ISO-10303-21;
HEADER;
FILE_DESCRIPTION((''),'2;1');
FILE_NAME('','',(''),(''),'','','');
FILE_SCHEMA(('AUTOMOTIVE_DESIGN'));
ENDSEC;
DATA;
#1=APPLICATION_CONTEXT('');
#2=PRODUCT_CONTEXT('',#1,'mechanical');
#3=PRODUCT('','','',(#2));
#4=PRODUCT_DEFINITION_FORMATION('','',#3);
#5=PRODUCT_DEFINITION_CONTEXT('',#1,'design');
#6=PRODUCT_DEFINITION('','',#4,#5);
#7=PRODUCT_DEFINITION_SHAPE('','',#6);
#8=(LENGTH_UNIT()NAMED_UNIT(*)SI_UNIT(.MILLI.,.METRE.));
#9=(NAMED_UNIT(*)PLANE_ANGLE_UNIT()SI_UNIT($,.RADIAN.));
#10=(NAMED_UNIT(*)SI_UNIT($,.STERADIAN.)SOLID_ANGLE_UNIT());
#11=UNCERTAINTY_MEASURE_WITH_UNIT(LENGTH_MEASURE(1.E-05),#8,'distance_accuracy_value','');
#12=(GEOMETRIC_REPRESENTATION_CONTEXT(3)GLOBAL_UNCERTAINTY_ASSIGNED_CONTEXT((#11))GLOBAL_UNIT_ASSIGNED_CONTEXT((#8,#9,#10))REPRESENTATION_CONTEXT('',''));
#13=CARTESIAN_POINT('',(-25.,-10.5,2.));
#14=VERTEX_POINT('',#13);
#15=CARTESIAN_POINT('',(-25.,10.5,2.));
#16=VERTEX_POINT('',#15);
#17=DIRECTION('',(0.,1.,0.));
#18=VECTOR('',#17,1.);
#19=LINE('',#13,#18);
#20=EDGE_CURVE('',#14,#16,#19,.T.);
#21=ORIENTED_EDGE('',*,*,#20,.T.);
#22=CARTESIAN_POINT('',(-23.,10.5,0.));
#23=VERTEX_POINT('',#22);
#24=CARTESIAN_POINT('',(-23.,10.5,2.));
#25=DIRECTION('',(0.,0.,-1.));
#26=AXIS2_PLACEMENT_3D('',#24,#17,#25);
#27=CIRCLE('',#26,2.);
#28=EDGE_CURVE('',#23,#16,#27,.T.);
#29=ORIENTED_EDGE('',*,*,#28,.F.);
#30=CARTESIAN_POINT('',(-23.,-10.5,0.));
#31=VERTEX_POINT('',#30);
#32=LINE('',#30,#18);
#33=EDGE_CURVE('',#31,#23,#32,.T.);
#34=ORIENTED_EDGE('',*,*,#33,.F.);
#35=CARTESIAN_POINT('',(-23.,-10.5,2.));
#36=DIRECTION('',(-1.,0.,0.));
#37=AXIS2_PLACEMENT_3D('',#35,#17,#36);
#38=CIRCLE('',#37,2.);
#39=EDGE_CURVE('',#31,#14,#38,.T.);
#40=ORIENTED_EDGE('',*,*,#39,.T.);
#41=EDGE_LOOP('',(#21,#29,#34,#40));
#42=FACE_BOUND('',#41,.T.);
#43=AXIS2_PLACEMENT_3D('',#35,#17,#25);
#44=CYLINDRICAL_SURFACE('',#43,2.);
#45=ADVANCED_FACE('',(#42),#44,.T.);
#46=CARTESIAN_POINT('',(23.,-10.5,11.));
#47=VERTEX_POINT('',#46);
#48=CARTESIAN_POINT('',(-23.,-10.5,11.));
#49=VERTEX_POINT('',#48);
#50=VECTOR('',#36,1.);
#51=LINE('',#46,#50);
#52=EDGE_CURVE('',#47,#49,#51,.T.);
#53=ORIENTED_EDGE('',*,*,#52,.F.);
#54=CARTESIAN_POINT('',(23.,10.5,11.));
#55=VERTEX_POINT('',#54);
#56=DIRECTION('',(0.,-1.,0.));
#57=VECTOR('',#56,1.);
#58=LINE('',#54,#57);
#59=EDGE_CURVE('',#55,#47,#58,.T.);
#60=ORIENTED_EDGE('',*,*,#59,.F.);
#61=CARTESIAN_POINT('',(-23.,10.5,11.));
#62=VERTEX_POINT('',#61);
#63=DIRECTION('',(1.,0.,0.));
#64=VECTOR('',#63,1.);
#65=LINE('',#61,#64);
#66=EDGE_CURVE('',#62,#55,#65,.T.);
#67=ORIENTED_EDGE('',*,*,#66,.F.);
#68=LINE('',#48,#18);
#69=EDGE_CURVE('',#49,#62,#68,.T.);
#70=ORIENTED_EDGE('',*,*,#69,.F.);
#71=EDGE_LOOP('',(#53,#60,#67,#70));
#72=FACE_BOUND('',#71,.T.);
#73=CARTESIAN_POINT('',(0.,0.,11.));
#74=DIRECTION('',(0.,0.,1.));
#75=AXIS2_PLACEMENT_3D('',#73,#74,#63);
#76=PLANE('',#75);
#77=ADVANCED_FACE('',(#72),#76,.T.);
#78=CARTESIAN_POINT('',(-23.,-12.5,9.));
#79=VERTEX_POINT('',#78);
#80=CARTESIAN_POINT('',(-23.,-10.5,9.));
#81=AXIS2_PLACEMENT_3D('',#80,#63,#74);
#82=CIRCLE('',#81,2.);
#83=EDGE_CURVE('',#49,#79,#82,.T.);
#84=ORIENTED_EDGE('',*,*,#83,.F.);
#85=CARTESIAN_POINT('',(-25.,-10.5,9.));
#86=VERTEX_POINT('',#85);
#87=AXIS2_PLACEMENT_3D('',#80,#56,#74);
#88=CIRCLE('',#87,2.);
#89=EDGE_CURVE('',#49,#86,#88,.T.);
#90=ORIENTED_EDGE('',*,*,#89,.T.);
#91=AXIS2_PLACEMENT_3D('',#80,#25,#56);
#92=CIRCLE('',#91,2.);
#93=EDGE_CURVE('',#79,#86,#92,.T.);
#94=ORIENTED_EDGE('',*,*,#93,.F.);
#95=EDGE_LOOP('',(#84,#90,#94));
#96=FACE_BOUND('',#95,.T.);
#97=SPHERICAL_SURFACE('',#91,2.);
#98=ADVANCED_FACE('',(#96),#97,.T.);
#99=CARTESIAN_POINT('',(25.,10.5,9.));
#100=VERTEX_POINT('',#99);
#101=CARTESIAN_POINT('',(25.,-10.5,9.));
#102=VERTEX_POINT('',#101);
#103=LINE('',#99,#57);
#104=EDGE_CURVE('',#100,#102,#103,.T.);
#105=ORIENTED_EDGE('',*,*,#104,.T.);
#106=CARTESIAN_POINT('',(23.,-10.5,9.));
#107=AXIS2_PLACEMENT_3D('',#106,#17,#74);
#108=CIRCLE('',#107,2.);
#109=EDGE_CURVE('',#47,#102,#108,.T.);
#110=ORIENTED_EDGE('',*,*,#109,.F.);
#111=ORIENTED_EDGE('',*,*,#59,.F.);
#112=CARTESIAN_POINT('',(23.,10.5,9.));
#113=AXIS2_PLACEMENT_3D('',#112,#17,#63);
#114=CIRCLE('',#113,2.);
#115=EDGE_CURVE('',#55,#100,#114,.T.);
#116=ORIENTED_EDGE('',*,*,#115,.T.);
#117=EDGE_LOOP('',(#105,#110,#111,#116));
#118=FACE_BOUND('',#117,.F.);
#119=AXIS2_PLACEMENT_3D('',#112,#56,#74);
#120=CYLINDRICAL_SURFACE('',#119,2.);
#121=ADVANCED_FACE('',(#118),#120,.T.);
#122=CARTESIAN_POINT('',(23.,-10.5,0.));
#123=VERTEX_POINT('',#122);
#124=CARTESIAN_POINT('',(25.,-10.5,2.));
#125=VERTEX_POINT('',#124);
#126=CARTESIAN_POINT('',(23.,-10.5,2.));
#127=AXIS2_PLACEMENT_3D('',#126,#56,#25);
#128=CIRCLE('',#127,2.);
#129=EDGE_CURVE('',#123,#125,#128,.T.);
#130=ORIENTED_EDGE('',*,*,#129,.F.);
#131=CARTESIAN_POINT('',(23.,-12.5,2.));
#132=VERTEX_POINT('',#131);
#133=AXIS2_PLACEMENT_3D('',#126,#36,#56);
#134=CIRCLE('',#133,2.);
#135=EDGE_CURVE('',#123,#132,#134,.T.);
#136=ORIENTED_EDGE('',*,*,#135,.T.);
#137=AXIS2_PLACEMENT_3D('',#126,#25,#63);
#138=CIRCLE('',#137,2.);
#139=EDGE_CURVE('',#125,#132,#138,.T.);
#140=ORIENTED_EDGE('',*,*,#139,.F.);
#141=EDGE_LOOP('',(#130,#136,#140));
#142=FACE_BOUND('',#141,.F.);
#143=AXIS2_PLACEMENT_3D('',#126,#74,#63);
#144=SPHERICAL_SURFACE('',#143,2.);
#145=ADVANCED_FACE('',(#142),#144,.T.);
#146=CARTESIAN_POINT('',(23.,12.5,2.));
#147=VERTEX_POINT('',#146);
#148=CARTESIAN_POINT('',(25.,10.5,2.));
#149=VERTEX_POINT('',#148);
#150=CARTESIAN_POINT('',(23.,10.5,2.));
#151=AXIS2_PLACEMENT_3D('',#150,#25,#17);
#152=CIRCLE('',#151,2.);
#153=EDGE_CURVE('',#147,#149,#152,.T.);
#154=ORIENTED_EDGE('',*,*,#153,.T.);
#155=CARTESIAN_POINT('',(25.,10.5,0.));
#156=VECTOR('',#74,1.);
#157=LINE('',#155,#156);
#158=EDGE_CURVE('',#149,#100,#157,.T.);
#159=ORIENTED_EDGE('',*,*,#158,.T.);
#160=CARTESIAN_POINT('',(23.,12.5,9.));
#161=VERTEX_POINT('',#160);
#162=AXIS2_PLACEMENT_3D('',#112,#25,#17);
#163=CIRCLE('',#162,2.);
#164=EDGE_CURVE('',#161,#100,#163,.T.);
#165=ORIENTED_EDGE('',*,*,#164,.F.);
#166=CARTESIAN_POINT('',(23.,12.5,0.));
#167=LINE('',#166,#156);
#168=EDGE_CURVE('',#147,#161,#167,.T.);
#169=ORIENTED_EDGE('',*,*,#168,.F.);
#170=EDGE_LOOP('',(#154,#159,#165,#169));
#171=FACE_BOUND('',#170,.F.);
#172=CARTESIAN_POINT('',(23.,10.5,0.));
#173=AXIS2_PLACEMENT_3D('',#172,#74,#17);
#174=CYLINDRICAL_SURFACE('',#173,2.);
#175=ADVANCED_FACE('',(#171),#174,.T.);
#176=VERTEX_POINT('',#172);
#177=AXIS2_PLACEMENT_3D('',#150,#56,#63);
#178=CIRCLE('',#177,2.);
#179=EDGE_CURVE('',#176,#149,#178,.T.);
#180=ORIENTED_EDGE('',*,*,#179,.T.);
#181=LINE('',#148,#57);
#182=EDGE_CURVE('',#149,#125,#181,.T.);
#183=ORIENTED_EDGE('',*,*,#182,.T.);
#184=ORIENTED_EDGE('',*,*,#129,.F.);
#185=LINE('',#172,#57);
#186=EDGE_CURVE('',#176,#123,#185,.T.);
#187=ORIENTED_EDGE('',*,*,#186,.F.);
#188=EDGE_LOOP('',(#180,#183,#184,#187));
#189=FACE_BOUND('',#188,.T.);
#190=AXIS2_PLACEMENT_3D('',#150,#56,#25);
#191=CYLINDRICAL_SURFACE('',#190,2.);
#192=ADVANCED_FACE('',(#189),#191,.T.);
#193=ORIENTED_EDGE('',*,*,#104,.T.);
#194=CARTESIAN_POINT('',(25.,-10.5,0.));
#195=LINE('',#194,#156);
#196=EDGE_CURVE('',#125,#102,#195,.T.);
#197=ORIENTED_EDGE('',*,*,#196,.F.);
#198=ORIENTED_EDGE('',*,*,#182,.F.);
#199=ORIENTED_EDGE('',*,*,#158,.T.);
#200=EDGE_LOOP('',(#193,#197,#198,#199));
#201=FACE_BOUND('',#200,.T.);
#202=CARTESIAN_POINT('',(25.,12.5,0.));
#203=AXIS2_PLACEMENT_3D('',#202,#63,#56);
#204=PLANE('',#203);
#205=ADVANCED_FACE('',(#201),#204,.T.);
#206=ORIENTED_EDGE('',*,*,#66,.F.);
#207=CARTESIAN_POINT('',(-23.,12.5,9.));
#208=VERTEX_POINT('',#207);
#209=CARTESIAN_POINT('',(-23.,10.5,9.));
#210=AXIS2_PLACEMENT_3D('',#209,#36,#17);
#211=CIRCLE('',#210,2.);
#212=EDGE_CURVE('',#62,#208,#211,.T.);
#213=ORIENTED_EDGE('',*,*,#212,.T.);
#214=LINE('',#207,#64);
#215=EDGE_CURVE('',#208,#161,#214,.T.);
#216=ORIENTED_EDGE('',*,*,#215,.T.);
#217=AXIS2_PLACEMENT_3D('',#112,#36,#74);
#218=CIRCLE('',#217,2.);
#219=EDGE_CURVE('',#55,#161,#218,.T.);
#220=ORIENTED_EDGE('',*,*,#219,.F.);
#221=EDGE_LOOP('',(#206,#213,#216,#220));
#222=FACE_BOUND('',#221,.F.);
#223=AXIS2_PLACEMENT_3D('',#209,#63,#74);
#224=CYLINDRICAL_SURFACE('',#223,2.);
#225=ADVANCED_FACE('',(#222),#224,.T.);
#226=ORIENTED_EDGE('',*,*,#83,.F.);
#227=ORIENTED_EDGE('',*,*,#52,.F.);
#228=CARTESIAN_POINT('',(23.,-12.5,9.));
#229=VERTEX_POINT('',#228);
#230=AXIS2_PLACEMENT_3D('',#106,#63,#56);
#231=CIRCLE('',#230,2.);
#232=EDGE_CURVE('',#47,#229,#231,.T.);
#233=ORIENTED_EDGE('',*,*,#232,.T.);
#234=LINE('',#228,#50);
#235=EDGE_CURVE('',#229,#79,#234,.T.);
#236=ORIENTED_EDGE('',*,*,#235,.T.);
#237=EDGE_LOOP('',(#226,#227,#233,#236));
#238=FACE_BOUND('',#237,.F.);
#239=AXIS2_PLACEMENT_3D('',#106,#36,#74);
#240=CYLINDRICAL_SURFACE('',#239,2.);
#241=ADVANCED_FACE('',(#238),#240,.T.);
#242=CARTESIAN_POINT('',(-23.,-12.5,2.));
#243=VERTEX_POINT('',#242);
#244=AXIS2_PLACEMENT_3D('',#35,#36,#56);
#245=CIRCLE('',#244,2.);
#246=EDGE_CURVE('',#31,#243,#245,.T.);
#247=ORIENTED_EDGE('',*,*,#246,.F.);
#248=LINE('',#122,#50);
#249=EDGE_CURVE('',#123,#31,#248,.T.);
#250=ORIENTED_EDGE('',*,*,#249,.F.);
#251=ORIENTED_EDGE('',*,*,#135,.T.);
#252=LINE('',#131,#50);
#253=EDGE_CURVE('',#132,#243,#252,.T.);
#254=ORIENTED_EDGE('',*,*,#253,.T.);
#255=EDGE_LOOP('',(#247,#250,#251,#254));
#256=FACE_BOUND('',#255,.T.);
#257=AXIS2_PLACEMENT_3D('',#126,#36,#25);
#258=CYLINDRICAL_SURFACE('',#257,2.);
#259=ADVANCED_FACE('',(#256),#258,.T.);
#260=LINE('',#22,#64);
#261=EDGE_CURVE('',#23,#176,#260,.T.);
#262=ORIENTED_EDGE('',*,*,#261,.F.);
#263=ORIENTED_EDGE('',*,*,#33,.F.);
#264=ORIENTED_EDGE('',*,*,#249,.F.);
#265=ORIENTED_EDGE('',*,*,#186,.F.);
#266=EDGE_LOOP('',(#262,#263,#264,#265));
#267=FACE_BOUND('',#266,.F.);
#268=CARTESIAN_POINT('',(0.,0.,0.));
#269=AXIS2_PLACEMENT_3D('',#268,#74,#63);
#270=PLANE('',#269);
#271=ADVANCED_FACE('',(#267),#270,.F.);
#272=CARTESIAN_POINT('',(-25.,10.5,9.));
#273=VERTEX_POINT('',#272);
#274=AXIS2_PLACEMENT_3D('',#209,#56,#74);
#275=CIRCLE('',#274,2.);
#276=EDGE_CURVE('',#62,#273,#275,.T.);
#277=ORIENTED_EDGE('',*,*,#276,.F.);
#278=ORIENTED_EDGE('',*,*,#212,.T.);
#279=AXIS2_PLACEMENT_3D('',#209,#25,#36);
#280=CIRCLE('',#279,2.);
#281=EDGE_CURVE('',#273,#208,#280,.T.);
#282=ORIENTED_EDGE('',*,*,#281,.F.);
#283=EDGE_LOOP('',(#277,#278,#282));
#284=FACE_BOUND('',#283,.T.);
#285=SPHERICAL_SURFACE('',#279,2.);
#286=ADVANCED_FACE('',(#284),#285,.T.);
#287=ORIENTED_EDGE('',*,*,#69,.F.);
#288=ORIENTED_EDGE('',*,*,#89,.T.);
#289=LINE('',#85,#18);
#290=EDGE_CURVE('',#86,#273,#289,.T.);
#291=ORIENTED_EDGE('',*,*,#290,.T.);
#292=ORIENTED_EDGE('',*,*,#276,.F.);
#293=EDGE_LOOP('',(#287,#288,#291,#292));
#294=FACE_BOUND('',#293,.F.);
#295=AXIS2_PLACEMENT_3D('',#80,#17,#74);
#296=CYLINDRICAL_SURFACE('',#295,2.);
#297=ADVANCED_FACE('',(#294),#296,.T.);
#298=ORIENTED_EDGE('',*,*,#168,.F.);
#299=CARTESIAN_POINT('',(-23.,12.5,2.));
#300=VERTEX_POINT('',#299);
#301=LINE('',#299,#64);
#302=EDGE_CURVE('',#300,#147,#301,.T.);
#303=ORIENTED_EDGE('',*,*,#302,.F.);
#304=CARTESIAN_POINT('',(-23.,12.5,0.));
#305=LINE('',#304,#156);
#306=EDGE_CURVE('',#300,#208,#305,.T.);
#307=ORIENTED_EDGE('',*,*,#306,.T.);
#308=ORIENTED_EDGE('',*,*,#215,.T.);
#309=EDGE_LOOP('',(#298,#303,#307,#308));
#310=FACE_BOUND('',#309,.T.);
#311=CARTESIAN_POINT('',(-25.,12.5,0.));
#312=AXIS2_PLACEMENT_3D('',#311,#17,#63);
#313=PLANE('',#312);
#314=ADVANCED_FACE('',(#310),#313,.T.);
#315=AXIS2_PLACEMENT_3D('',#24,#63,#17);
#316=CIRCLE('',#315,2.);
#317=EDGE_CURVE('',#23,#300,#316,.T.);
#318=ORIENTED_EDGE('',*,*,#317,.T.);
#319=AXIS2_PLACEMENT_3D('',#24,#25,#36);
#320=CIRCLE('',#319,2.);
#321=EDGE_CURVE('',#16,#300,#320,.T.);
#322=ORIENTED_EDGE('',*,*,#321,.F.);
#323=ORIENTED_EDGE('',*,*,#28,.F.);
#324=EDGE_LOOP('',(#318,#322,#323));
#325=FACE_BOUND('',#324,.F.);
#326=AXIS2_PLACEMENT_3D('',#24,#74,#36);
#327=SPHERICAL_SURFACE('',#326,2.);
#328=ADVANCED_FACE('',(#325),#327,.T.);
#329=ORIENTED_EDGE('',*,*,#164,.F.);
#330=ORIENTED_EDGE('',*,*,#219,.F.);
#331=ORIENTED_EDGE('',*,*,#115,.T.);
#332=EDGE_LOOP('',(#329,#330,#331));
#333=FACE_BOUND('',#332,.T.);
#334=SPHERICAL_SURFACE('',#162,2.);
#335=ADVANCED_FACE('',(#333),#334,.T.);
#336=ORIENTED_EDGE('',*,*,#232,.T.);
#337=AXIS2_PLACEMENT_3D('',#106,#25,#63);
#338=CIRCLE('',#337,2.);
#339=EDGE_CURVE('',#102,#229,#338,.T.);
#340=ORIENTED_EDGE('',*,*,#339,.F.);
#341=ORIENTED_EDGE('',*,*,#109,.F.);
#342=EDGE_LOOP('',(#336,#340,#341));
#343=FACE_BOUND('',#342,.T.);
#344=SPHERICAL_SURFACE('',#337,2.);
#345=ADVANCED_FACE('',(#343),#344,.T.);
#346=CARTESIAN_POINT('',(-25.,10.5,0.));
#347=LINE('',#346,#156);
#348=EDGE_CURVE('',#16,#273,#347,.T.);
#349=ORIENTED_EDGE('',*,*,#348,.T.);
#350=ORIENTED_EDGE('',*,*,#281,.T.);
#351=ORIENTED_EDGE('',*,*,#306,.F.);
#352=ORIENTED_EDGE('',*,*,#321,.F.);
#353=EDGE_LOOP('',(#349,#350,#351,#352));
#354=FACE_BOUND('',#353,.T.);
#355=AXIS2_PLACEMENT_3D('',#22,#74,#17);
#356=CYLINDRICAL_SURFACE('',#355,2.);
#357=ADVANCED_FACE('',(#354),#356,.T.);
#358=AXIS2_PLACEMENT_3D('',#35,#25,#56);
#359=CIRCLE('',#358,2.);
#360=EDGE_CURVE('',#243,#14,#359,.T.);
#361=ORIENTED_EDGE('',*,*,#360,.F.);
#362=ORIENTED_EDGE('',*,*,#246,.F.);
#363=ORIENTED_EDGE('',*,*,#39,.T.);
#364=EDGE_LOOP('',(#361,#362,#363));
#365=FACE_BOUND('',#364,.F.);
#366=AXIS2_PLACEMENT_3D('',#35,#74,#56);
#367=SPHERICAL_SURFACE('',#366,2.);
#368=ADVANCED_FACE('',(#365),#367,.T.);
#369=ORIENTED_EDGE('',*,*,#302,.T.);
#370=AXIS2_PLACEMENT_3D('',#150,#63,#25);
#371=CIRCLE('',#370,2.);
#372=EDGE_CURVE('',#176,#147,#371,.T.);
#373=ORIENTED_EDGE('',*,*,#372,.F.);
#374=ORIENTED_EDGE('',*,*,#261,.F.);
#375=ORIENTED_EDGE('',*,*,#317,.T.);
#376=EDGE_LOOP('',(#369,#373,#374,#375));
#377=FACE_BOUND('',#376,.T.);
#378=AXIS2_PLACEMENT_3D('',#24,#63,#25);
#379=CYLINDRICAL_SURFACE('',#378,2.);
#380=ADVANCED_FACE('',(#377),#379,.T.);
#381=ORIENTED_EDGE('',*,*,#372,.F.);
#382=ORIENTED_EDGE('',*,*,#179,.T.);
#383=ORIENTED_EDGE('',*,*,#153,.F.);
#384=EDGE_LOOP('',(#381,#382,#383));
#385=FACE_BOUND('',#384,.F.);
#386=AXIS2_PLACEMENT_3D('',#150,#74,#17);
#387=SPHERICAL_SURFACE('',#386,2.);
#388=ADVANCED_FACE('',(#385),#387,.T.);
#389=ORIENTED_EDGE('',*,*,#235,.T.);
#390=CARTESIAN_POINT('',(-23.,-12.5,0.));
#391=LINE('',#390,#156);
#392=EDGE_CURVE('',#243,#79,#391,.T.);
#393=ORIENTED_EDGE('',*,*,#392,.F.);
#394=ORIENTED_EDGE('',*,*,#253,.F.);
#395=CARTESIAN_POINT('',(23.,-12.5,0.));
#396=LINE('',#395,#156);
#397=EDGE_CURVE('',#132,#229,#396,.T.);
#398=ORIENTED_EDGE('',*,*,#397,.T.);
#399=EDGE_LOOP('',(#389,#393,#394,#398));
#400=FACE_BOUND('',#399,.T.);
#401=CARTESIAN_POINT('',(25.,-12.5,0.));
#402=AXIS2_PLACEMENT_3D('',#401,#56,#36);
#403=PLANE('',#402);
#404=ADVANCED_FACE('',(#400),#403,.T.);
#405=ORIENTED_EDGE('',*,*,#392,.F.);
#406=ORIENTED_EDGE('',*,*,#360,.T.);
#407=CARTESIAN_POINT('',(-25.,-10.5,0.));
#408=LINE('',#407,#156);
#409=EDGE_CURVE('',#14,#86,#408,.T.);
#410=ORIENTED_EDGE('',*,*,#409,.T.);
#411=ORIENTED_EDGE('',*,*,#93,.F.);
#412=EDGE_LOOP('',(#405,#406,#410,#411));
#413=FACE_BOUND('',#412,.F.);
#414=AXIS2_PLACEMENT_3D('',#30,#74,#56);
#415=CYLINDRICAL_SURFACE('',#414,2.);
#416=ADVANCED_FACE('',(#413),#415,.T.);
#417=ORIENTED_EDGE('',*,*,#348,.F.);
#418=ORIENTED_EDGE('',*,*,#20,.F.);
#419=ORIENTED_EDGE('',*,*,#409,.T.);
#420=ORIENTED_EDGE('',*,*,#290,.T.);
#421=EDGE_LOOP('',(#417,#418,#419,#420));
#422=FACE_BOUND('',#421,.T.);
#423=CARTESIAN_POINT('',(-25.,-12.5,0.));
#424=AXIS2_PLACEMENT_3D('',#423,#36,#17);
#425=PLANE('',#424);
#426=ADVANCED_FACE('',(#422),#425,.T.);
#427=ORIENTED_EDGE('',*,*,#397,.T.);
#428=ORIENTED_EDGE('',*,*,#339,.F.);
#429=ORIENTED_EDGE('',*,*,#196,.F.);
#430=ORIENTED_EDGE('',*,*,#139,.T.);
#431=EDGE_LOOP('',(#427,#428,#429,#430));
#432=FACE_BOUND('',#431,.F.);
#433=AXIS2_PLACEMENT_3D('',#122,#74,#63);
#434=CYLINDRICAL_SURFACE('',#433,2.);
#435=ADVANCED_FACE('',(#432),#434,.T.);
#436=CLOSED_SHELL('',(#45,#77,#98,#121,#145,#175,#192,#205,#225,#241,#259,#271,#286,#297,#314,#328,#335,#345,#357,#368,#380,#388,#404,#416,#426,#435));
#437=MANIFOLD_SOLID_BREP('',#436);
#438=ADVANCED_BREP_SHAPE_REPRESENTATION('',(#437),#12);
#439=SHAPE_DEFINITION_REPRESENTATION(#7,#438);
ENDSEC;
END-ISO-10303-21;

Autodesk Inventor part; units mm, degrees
ref_plane "YZ Plane" through (0, 0, 0) normal (1, 0, 0) x (0, 1, 0)
ref_plane "XZ Plane" through (0, 0, 0) normal (0, 1, 0) x (-1, 0, 0)
ref_plane "XY Plane" through (0, 0, 0) normal (0, 0, 1) x (1, 0, 0)
sketch "Sketch1" plane through (0, 0, 0) normal (0, 0, 1) x (1, 0, 0)
  line L0 (-25, 12.5) -> (25, 12.5)
  line L1 (25, 12.5) -> (25, -12.5)
  line L2 (25, -12.5) -> (-25, -12.5)
  line L3 (-25, -12.5) -> (-25, 12.5)
  point P0 (0, 0)
  dimension "d0" = 50
  dimension "d1" = 25
  dimension "d2" = 25
  dimension "d3" = 12.5
extrude "Extrusion1" add sketch "Sketch1" along normal blind 11
fillet "Fillet1" radius 2 4 edges at (25, -12.5, 5.5) (25, 12.5, 5.5) (-25, 12.5, 5.5) (-25, -12.5, 5.5)
fillet "Fillet2" radius 2 16 edges at (-25, 0, 11) (-24.4142, 11.9142, 11) (0, 12.5, 11) (24.4142, 11.9142, 11) (25, 0, 11) (24.4142, -11.9142, 11) (0, -12.5, 11) (-24.4142, -11.9142, 11) (-24.4142, -11.9142, 0) (-25, 0, 0) (-24.4142, 11.9142, 0) (0, 12.5, 0) (24.4142, 11.9142, 0) (25, 0, 0) (24.4142, -11.9142, 0) (0, -12.5, 0)
properties part number "esc"
